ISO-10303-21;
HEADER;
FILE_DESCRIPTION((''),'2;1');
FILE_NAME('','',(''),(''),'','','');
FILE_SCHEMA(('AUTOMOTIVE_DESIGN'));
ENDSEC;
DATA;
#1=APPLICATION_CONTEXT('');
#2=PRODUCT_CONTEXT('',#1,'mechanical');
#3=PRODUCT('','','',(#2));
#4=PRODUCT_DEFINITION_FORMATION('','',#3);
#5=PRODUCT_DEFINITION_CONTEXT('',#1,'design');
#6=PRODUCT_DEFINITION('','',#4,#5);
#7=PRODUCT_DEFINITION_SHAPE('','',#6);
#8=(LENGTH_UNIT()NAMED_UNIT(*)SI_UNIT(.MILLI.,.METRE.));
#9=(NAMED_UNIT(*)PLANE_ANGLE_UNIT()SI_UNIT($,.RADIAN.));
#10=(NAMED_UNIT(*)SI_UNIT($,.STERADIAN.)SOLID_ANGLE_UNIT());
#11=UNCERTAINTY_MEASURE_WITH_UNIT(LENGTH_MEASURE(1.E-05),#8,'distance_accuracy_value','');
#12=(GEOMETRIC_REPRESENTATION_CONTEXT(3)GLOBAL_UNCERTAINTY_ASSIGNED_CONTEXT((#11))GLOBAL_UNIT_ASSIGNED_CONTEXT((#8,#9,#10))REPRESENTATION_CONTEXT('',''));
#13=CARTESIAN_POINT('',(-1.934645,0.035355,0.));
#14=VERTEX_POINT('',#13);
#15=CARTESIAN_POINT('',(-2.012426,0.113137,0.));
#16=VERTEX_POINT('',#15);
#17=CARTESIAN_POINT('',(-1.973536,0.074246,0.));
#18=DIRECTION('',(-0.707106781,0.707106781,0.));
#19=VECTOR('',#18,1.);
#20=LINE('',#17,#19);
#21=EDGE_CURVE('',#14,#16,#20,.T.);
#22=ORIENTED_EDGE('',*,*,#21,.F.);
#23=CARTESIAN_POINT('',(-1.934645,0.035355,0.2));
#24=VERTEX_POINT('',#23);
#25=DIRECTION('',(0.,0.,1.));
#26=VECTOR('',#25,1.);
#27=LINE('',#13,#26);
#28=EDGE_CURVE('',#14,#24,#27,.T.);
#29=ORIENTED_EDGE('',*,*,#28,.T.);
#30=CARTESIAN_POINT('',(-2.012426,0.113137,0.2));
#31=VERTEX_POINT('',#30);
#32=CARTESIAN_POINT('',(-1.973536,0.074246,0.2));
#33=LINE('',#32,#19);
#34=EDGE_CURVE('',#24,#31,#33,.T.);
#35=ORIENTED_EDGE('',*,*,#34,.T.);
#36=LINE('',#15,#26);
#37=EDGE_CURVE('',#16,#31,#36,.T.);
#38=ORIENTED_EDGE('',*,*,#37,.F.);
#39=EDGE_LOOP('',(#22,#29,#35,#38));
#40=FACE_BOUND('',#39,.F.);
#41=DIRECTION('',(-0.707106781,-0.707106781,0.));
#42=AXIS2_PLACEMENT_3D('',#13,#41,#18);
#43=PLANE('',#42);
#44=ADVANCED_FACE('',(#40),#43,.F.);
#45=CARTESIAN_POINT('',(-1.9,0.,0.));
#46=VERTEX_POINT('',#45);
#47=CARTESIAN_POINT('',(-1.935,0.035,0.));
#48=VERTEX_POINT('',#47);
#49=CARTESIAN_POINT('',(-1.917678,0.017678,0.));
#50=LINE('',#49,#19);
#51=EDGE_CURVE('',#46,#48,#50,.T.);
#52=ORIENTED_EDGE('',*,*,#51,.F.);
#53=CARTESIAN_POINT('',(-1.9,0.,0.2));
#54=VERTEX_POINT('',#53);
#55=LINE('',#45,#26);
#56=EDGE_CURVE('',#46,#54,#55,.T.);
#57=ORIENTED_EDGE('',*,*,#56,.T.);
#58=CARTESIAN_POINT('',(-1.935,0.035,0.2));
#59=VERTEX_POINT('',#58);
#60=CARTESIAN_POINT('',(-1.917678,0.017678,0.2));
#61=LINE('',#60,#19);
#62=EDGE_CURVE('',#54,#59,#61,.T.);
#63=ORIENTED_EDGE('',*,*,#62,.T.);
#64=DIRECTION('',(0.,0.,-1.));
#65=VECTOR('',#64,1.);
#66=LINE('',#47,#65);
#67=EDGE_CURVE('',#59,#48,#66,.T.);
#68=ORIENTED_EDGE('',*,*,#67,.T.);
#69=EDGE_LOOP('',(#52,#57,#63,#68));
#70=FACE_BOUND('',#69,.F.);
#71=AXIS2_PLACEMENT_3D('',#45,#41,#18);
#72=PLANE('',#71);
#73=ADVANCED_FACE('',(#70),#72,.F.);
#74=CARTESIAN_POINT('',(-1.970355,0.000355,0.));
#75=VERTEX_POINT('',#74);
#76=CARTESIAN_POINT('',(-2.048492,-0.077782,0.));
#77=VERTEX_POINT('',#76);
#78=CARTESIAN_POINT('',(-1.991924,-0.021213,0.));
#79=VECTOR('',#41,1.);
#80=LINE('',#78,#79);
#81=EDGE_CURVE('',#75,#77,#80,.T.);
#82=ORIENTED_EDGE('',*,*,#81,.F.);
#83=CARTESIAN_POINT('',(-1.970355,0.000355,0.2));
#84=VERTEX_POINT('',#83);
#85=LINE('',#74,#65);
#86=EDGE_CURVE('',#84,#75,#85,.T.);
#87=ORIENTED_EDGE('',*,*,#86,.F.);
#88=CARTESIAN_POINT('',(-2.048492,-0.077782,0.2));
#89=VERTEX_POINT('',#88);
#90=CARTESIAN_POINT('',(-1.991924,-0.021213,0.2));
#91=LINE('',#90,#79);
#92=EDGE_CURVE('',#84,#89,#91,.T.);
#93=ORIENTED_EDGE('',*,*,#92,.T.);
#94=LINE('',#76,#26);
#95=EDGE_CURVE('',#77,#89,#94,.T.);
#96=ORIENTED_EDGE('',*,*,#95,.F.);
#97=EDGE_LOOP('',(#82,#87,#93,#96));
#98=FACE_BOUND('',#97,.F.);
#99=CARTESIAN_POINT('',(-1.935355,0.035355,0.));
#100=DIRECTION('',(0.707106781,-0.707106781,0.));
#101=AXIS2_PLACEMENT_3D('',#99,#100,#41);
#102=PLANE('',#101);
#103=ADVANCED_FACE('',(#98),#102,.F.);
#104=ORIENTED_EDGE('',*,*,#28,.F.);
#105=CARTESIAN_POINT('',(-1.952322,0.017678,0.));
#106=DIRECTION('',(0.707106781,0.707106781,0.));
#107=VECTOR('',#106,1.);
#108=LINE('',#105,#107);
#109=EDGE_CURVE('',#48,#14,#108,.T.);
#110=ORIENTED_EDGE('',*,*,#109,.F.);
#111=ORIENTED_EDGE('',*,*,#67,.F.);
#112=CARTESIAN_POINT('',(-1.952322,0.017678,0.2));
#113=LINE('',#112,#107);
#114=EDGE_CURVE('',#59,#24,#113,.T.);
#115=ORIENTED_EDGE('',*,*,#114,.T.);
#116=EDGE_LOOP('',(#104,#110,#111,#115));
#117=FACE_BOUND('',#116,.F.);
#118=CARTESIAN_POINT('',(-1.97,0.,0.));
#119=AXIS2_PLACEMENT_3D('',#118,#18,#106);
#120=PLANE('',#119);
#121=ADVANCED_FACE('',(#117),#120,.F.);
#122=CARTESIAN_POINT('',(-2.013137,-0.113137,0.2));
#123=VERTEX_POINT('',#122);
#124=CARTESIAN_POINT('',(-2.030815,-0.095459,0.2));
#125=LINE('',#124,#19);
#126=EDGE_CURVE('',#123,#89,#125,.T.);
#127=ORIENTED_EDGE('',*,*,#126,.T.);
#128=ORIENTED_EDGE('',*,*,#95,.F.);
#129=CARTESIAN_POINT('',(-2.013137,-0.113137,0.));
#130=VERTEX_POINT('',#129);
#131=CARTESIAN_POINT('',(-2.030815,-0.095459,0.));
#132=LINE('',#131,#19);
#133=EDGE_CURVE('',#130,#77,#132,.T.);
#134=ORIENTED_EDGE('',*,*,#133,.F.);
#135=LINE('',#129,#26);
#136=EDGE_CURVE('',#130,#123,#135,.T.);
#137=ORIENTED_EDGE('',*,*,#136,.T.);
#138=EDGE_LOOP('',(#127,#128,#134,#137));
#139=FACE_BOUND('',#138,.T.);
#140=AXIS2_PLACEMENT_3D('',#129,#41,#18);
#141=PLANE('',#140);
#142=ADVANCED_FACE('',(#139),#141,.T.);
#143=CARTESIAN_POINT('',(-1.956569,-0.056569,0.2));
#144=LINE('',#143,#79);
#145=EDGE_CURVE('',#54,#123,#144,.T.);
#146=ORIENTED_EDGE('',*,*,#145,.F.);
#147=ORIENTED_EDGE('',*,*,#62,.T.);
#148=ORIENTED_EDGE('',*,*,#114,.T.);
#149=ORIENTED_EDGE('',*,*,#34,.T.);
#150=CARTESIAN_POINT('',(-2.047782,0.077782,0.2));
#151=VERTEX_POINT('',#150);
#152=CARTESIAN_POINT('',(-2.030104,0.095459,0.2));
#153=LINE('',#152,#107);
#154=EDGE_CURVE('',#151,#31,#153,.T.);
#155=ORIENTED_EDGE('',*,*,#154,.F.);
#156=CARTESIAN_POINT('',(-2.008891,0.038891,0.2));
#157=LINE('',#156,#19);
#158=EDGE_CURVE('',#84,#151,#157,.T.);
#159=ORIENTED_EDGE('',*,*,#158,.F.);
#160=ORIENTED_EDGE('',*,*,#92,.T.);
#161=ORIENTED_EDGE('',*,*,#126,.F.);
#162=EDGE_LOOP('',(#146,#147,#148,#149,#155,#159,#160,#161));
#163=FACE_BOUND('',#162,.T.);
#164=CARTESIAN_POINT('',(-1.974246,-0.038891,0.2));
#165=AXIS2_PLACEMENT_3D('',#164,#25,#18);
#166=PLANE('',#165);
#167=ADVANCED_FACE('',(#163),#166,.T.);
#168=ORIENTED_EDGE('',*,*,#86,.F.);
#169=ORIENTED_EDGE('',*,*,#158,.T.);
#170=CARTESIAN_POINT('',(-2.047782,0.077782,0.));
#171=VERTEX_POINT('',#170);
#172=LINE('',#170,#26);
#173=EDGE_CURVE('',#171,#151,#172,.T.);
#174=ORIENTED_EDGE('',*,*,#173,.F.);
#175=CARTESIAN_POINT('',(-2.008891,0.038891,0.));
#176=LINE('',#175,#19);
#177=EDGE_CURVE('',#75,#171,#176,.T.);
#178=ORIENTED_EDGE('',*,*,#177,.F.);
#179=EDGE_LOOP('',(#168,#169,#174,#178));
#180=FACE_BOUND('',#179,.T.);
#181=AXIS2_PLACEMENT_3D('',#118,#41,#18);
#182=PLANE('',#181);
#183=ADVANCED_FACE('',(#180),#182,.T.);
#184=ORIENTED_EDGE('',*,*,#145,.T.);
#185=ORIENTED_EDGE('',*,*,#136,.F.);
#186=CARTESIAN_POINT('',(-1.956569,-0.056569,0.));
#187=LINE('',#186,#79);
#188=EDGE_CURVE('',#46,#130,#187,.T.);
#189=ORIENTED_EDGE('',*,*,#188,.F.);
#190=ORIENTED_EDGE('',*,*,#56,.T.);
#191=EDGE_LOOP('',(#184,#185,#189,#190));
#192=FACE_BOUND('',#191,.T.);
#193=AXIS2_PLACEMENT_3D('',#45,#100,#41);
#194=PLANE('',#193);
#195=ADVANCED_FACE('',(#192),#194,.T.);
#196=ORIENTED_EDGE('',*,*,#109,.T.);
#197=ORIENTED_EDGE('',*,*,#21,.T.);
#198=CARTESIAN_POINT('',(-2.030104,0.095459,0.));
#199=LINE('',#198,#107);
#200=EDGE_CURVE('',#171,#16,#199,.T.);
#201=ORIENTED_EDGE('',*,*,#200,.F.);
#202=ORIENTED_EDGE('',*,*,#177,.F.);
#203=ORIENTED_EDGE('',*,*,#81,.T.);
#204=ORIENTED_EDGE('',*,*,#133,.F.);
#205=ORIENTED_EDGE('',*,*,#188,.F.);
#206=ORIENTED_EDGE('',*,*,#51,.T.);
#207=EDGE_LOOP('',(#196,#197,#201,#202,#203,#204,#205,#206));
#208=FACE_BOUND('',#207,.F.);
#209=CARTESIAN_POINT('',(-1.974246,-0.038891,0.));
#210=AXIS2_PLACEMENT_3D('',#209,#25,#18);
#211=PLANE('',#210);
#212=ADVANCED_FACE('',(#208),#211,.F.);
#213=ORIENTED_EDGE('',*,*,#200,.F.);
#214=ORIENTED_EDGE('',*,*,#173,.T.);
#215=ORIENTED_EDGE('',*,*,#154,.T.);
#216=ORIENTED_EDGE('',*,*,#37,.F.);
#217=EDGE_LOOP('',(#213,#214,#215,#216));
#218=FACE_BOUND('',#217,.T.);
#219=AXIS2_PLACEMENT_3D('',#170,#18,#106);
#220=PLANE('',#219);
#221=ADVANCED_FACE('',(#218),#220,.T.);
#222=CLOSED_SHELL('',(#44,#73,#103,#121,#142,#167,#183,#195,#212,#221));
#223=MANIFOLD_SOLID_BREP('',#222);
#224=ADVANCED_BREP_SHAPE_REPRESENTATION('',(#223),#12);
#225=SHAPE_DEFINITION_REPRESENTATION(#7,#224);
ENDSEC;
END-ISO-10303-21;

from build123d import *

# Parameters (mm, degrees)
BOX003_W                  = 0.05
BOX003_H                  = 0.11
BOX003_DEPTH              = 0.2
BOX003_PLACEMENT_ANGLE    = -45
BOX002_W                  = 0.05
BOX002_H                  = 0.16
BOX002_DEPTH              = 0.2
BOX002_PLACEMENT_ANGLE    = 45
FUSION001_PLACEMENT_ANGLE = 90


with BuildPart() as kub003:
    # Box003 → Box003 (new body)
    with BuildSketch(Plane.XY):
        with Locations((0.025, 0.055)):
            Rectangle(BOX003_W, BOX003_H)
    extrude(amount=BOX003_DEPTH)


with BuildPart() as kub003_1:
    # Box003 placement: moved
    add(kub003.part.moved(Location((0, 1.97, 0))).rotate(Axis((0, 1.97, 0), (0, 0, 1)), BOX003_PLACEMENT_ANGLE))


with BuildPart() as fusion001:
    # Box002 → Box002 (new body)
    with BuildSketch(Plane.XY):
        with Locations((0.025, 0.08)):
            Rectangle(BOX002_W, BOX002_H)
    extrude(amount=BOX002_DEPTH)


with BuildPart() as fusion001_1:
    # Box002 placement: moved
    add(fusion001.part.moved(Location((0, 1.9, 0))).rotate(Axis((0, 1.9, 0), (0, 0, 1)), BOX002_PLACEMENT_ANGLE))

    # Fusion001: union Kub003
    add(kub003_1.part)


with BuildPart() as fusion001_2:
    # Fusion001 placement: moved
    add(fusion001_1.part.rotate(Axis((0, 0, 0), (0, 0, 1)), FUSION001_PLACEMENT_ANGLE))


solid = fusion001_2.part
